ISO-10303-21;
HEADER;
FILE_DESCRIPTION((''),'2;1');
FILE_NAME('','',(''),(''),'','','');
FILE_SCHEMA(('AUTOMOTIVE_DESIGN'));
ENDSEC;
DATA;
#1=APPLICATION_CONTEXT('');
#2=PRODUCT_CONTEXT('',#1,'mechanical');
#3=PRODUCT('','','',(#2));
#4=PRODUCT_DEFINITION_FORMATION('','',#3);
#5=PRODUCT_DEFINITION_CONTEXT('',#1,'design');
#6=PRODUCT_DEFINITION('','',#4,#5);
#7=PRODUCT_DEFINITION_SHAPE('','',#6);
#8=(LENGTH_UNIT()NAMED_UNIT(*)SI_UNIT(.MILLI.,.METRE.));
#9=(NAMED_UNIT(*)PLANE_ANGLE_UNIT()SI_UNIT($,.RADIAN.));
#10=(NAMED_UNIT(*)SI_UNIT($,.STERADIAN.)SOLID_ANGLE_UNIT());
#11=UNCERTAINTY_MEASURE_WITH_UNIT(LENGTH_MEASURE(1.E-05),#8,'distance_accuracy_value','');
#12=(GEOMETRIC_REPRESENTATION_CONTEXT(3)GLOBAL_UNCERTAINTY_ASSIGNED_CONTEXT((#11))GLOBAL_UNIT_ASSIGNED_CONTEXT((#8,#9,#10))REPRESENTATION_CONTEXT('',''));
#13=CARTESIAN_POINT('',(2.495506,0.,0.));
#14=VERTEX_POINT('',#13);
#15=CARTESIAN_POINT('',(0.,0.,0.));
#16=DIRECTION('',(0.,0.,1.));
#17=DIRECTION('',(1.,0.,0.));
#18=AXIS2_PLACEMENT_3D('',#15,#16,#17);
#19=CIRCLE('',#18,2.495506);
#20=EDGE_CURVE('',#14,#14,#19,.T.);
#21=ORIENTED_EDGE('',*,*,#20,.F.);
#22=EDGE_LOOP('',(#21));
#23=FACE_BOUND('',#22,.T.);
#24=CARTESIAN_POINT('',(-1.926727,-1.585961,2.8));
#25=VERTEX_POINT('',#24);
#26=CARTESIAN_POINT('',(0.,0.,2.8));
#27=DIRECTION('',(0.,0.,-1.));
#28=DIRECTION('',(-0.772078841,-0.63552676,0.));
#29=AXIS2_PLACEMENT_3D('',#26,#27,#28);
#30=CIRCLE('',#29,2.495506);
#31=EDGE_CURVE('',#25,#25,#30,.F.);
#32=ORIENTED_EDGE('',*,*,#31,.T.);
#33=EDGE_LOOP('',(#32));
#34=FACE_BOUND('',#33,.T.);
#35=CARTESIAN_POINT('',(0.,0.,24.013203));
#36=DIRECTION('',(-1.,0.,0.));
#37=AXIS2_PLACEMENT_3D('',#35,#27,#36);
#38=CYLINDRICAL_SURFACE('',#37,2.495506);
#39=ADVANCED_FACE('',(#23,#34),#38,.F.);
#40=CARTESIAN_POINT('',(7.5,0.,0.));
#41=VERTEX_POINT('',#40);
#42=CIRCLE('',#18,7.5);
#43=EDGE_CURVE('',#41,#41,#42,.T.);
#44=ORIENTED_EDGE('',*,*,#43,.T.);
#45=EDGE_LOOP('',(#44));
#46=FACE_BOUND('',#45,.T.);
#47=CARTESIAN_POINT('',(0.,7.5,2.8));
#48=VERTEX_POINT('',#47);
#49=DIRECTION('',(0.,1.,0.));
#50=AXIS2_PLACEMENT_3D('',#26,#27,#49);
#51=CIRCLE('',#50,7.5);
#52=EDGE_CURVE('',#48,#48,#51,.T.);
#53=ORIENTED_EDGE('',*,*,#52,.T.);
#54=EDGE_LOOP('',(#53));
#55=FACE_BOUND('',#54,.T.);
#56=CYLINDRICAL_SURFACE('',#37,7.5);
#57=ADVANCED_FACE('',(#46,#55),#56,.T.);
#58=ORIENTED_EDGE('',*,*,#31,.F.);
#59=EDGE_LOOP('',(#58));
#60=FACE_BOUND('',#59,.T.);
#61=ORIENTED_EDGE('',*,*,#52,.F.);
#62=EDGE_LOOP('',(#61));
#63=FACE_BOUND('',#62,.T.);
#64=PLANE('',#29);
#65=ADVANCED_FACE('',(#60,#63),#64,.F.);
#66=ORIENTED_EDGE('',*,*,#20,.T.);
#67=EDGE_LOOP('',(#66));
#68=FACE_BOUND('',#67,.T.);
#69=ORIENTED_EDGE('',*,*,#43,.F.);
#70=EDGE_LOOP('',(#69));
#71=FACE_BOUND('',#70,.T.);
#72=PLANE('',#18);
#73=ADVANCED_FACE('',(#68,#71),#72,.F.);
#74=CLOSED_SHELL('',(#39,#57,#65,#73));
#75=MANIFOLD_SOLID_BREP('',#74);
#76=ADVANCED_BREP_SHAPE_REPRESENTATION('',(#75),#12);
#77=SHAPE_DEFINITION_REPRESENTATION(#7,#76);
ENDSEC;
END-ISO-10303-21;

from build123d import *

# Parameters (mm, degrees)
SKETCH1_R           = 7.5
SKETCH1_R_2         = 2.495506105
BOSS_EXTRUDE1_DEPTH = 2.8


with BuildPart() as part:
    # Sketch1 → Boss-Extrude1 (new body)
    with BuildSketch(Plane.XY):
        with Locations(Location((0, 0, 0), (0, 0, 90))):
            Circle(SKETCH1_R)
        with Locations(Location((0, 0, 0), (0, 0, 219.459064239))):
            Circle(SKETCH1_R_2, mode=Mode.SUBTRACT)
    extrude(amount=BOSS_EXTRUDE1_DEPTH)


solid = part.part
